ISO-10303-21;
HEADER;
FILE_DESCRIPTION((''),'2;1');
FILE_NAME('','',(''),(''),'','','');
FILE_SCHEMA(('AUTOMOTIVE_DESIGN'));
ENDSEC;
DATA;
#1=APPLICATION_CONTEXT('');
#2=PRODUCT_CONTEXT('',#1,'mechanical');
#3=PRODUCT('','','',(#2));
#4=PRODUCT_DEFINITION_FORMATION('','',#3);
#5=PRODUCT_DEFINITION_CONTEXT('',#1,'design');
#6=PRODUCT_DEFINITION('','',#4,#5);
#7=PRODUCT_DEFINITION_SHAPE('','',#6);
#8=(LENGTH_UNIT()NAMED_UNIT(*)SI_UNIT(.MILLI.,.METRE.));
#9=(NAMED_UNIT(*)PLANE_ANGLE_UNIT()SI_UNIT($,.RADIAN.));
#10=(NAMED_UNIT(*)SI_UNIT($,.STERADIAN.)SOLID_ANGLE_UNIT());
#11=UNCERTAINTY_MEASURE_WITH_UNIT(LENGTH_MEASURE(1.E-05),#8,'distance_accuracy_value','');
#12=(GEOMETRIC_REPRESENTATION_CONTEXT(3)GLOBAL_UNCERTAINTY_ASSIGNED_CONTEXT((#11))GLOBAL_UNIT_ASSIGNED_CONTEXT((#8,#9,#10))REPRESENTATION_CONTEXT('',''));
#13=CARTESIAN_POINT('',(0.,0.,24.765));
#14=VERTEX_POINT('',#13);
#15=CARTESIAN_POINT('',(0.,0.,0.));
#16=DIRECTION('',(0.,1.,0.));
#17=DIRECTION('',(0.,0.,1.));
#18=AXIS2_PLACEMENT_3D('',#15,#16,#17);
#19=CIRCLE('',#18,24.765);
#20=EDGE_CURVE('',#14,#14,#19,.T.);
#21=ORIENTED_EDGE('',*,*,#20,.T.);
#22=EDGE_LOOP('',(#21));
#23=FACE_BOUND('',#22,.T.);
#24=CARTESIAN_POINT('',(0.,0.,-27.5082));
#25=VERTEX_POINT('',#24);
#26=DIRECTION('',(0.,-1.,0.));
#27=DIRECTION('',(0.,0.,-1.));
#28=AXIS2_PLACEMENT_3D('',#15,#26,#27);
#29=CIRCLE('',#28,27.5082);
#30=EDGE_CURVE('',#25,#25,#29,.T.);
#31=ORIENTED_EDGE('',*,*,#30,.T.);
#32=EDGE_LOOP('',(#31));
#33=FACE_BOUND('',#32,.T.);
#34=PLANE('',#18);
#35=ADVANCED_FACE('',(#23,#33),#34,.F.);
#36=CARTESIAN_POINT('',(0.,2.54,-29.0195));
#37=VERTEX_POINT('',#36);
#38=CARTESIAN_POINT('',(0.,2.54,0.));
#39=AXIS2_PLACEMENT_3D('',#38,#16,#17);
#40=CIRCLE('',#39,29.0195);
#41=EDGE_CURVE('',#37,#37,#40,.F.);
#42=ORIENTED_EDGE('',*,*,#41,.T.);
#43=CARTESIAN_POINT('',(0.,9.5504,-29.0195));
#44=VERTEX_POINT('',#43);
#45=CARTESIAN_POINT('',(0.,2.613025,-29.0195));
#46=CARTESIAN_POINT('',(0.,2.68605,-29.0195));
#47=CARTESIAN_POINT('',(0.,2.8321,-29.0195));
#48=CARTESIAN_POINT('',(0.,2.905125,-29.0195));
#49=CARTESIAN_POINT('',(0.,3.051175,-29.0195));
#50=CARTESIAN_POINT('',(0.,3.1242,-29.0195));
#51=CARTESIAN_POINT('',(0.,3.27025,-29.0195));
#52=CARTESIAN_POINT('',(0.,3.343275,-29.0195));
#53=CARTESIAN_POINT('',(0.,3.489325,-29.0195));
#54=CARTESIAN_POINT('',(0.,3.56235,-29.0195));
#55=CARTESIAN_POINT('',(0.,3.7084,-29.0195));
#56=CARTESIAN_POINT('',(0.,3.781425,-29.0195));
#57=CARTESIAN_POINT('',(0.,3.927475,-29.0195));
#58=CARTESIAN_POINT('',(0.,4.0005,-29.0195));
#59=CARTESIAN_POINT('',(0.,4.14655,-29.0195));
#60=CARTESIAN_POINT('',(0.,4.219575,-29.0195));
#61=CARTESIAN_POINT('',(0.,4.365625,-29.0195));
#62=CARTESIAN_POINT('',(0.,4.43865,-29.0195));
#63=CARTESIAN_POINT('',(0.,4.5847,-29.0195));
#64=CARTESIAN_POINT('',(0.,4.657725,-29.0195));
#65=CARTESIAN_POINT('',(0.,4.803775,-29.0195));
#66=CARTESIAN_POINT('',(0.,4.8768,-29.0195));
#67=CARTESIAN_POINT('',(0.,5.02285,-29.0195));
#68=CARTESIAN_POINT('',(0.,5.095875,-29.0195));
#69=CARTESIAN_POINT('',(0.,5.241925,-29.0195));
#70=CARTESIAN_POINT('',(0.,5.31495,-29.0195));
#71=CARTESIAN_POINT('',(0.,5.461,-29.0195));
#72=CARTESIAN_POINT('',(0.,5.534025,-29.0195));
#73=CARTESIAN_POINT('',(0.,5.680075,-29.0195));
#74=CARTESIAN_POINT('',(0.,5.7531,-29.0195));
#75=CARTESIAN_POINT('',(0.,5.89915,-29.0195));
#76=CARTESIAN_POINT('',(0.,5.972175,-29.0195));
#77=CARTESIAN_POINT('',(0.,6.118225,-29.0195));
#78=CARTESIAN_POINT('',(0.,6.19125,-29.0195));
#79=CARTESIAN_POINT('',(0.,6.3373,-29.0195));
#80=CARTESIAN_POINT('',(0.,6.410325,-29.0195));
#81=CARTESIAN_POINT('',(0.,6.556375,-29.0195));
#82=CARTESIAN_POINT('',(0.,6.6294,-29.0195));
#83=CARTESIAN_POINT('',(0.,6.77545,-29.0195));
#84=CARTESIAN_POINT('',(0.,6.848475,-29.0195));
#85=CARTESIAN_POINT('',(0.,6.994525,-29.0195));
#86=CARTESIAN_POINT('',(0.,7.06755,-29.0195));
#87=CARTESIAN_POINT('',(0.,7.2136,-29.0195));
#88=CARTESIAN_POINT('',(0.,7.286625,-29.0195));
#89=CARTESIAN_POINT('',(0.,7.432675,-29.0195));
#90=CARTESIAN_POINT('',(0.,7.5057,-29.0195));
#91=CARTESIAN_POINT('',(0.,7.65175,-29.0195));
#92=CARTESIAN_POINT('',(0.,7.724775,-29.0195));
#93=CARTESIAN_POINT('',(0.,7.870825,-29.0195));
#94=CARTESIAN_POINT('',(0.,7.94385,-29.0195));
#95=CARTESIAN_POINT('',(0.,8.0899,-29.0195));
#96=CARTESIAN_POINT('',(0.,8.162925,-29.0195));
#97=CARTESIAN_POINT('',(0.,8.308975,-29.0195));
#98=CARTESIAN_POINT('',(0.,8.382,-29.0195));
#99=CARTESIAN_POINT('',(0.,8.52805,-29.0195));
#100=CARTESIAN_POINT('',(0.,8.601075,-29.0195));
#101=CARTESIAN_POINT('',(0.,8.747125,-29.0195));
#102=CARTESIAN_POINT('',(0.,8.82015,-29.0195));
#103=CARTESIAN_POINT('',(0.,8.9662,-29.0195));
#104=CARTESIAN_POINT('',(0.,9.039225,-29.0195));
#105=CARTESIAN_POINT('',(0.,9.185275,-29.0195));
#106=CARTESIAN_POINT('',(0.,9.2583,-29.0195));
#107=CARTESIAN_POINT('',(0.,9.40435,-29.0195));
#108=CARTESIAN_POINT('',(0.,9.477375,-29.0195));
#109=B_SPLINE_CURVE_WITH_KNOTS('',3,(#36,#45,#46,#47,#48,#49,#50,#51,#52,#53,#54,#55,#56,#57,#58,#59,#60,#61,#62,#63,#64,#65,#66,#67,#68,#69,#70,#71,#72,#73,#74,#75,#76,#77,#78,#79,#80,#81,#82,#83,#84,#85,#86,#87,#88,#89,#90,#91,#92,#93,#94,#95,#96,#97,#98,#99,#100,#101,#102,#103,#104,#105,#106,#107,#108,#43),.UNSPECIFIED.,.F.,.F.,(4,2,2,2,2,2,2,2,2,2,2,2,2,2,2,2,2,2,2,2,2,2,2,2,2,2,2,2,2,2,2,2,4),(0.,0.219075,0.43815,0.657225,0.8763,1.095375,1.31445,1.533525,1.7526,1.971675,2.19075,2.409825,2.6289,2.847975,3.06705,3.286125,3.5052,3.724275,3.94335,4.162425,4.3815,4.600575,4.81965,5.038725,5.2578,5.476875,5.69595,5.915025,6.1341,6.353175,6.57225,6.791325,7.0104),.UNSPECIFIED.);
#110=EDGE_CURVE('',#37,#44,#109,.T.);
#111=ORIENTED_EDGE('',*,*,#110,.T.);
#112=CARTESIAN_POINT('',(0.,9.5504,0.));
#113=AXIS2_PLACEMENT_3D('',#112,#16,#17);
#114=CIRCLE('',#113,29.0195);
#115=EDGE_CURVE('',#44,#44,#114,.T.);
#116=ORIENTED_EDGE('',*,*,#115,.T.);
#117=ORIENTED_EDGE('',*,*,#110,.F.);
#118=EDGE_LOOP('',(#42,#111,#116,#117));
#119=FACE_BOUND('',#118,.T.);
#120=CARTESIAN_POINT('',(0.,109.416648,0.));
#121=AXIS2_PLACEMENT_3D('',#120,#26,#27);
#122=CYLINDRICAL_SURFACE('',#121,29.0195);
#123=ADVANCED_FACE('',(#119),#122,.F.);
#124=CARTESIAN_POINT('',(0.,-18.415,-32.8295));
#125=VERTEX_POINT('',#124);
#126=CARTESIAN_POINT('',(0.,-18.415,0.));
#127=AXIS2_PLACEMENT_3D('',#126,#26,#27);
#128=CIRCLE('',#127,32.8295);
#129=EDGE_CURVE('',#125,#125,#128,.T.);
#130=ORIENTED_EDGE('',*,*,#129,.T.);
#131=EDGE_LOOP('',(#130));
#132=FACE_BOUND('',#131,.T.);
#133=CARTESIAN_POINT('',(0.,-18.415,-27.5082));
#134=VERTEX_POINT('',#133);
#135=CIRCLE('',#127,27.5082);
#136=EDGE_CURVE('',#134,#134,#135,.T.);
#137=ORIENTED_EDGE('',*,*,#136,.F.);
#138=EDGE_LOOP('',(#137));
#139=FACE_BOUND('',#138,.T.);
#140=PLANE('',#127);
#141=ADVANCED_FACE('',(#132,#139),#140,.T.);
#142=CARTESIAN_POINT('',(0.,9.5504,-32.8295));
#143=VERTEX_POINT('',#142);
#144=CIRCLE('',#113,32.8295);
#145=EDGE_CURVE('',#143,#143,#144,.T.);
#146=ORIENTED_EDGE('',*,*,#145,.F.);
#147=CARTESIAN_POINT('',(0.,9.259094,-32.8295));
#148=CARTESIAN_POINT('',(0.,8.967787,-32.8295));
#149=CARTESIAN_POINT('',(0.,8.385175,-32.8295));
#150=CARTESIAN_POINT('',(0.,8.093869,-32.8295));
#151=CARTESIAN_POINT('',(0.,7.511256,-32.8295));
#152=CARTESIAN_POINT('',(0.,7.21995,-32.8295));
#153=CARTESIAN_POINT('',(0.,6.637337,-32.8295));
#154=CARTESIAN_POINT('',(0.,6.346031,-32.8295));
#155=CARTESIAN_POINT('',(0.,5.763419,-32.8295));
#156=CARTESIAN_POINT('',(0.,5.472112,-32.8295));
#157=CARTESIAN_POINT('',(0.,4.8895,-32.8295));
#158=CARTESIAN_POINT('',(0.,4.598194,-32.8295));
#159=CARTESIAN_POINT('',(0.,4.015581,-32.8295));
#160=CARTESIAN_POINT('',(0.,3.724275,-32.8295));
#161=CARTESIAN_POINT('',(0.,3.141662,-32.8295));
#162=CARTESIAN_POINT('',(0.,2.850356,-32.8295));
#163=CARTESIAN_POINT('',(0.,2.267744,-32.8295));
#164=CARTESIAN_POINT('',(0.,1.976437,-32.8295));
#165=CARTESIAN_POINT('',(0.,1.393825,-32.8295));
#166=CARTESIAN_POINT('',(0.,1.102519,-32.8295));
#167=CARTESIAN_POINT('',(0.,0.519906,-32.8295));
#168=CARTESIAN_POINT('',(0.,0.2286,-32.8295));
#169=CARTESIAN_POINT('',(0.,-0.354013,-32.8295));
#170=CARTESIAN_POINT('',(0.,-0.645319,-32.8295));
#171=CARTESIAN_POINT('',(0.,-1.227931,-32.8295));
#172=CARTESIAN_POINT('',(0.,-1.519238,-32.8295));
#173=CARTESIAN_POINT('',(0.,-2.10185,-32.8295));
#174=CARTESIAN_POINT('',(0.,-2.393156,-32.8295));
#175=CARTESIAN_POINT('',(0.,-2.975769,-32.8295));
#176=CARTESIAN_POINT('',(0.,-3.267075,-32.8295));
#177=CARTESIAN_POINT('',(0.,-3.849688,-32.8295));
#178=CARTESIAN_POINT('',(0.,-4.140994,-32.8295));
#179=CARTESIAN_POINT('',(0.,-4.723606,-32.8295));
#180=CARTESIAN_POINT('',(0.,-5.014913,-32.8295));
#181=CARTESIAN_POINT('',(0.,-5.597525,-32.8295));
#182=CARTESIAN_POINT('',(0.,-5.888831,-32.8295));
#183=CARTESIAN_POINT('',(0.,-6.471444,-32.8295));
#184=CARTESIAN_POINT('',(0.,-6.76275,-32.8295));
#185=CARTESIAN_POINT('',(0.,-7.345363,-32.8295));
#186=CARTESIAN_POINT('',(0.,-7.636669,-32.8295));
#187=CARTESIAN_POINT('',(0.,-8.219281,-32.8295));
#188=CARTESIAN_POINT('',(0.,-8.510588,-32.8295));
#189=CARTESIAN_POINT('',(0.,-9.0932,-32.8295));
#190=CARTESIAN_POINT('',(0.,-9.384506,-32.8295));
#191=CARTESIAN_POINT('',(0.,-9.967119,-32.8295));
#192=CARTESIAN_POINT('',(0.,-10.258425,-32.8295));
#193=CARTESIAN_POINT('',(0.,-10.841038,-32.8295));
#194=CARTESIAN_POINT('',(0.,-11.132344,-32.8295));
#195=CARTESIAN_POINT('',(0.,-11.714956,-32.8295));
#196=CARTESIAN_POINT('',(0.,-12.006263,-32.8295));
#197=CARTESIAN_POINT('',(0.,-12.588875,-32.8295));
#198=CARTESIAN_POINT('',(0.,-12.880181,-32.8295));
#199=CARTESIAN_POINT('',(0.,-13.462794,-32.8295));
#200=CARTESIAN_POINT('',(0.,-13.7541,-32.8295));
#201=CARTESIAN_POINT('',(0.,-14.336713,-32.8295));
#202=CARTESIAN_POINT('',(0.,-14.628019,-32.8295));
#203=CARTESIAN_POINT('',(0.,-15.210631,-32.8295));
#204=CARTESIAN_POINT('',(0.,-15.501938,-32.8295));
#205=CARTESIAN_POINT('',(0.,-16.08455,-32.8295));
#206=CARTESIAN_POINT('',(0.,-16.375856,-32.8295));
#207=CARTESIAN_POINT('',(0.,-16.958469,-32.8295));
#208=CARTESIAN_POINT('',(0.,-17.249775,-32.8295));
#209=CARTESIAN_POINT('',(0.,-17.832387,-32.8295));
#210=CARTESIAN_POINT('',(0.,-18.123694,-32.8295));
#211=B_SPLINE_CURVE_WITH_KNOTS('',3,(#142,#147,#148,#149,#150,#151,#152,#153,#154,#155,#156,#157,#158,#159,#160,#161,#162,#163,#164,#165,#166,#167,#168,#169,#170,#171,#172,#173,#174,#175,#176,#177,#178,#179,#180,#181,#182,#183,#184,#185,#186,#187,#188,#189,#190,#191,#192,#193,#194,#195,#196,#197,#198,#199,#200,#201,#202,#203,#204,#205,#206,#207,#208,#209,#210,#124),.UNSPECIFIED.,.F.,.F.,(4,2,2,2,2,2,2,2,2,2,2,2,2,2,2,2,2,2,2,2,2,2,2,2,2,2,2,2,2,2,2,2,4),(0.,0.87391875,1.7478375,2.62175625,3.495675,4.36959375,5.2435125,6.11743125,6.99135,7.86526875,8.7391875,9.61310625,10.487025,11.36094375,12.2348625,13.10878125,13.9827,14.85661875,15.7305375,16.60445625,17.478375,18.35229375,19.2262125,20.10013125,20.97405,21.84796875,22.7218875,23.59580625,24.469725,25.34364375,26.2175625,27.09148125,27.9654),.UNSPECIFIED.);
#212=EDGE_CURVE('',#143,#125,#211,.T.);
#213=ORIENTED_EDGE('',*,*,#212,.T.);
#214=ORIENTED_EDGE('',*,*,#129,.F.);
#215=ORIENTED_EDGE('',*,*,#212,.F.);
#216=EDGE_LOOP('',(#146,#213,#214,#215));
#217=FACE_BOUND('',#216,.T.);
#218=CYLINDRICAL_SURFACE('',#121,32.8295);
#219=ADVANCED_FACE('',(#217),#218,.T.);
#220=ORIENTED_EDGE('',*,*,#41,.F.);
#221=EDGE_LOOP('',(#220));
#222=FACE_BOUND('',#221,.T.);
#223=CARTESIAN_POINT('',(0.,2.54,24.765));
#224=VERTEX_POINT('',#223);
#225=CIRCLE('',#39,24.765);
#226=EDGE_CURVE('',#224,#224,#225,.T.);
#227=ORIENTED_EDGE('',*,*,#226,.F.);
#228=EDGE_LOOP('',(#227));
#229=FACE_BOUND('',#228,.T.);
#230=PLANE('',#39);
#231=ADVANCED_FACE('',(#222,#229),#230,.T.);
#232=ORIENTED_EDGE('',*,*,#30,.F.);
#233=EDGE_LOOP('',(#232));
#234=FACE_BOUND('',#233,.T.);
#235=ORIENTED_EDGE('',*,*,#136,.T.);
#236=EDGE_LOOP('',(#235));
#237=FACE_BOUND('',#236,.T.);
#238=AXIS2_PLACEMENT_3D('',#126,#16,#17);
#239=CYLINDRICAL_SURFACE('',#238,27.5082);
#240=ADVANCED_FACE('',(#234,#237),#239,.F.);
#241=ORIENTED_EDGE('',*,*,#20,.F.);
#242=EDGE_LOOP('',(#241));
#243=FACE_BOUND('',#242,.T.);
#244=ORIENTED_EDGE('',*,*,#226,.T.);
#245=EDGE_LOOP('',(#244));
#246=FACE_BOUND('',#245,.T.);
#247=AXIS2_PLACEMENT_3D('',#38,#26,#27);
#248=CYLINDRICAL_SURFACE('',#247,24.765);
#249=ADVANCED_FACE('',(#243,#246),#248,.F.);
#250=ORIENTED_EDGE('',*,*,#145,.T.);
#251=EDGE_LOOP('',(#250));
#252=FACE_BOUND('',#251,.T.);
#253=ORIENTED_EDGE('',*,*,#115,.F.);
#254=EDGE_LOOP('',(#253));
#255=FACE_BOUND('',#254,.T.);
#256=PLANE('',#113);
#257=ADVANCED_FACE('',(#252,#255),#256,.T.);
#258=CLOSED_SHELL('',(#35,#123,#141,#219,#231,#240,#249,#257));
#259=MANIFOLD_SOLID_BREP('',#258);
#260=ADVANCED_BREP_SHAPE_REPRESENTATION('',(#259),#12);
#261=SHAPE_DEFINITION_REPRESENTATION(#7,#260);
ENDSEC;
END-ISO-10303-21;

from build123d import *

# Parameters (mm, degrees)
SKETCH3_R           = 29.0195
SKETCH3_R_2         = 24.765
BOSS_EXTRUDE2_DEPTH = 2.54
SKETCH4_R           = 32.8295
SKETCH4_R_2         = 29.0195
BOSS_EXTRUDE3_DEPTH = 9.5504
BOSS_EXTRUDE4_START = 18.415
SKETCH5_R           = 32.8295
SKETCH5_R_2         = 27.5082
BOSS_EXTRUDE4_DEPTH = 18.415


with BuildPart() as part:
    # Sketch3 → Boss-Extrude2 (new body)
    with BuildSketch(Plane(origin=(0, 0, 0), x_dir=(1, 0, 0), z_dir=(0, 1, 0))):
        with Locations(Location((0, 0, 0), (0, 0, 270))):
            Circle(SKETCH3_R)
        with Locations(Location((0, 0, 0), (0, 0, 270))):
            Circle(SKETCH3_R_2, mode=Mode.SUBTRACT)
    extrude(amount=BOSS_EXTRUDE2_DEPTH)

    # Sketch4 → Boss-Extrude3 (add)
    with BuildSketch(Plane(origin=(0, 0, 0), x_dir=(1, 0, 0), z_dir=(0, 1, 0))):
        with Locations(Location((0, 0, 0), (0, 0, 90))):
            Circle(SKETCH4_R)
        with Locations(Location((0, 0, 0), (0, 0, 90))):
            Circle(SKETCH4_R_2, mode=Mode.SUBTRACT)
    extrude(amount=BOSS_EXTRUDE3_DEPTH)

    # Sketch5 → Boss-Extrude4 (add)
    with BuildSketch(Plane.XZ.offset(BOSS_EXTRUDE4_START)):
        with Locations(Location((0, 0, 0), (0, 0, 270))):
            Circle(SKETCH5_R)
        with Locations(Location((0, 0, 0), (0, 0, 270))):
            Circle(SKETCH5_R_2, mode=Mode.SUBTRACT)
    extrude(amount=-BOSS_EXTRUDE4_DEPTH)


solid = part.part
